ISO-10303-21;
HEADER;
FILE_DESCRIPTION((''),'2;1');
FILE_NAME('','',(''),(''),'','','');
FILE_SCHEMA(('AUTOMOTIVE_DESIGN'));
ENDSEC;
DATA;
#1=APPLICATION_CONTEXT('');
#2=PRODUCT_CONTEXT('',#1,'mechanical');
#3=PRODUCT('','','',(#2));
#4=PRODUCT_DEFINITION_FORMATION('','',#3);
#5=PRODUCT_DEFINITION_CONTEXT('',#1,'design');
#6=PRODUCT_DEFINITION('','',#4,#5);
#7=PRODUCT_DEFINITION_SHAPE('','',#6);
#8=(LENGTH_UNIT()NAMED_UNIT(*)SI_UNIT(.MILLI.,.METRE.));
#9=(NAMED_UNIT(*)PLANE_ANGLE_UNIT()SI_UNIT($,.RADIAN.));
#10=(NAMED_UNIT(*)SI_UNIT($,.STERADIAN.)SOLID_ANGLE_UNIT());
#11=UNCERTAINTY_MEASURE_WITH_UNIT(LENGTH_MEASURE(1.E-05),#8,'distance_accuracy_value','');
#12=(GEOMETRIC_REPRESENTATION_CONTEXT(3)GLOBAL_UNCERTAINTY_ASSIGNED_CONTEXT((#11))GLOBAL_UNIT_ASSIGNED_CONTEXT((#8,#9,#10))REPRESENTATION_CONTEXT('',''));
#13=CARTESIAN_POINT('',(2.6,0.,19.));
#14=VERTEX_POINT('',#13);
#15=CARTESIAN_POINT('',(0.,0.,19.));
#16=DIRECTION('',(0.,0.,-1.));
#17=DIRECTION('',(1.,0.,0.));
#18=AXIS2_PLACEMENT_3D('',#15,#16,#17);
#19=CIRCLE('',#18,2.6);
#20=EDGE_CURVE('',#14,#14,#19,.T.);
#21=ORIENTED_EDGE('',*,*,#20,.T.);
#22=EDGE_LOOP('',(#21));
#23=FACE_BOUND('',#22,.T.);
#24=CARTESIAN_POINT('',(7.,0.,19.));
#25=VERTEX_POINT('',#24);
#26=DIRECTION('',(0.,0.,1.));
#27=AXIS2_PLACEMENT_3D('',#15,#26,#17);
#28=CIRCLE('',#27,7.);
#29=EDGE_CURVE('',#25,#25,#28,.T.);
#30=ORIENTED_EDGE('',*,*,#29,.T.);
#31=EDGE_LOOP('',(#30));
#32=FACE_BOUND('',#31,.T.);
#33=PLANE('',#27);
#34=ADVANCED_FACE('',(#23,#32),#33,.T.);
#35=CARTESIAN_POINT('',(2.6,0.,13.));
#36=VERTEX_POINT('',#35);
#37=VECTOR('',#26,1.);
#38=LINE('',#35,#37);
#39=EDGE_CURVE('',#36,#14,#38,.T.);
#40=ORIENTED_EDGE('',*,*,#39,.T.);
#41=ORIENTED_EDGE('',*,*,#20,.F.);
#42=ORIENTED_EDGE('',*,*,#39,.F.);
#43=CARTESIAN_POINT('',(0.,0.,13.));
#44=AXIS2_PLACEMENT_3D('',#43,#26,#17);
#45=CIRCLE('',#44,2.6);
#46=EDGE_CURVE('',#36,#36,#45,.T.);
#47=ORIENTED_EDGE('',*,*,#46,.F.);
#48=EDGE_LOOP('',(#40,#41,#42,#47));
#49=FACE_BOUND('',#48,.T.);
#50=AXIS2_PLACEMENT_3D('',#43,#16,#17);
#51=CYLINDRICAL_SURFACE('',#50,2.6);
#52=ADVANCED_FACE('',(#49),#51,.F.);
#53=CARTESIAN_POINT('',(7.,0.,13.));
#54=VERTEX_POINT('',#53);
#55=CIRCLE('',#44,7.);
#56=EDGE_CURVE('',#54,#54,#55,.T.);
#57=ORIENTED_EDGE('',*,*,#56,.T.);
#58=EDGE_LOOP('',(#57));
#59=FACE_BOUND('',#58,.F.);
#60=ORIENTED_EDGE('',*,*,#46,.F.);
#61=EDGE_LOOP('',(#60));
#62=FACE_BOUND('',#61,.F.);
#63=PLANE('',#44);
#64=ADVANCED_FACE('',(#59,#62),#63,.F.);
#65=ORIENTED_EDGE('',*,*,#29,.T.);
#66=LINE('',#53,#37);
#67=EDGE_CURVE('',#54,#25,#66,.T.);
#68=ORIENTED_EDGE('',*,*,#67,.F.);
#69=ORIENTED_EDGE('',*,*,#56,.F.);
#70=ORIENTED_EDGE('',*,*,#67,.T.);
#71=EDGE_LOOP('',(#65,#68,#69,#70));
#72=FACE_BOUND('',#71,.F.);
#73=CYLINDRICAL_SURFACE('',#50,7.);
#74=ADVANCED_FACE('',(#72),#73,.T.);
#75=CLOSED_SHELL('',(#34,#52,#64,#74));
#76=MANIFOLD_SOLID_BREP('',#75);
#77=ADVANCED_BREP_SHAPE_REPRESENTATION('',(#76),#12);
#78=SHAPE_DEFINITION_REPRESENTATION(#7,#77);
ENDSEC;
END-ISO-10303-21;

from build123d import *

# Parameters (mm, degrees)
CYLINDER044_R     = 2.6
CYLINDER044_DEPTH = 12
CYLINDER041_R     = 7
CYLINDER041_DEPTH = 6


with BuildPart() as v_lec044:
    # Cylinder044 → Cylinder044 (new body)
    with BuildSketch(Plane.XY.offset(13)):
        Circle(CYLINDER044_R)
    extrude(amount=CYLINDER044_DEPTH)


with BuildPart() as cut005:
    # Cylinder041 → Cylinder041 (new body)
    with BuildSketch(Plane.XY.offset(13)):
        Circle(CYLINDER041_R)
    extrude(amount=CYLINDER041_DEPTH)

    # Cut005: cut Válec044
    add(v_lec044.part, mode=Mode.SUBTRACT)


solid = cut005.part
